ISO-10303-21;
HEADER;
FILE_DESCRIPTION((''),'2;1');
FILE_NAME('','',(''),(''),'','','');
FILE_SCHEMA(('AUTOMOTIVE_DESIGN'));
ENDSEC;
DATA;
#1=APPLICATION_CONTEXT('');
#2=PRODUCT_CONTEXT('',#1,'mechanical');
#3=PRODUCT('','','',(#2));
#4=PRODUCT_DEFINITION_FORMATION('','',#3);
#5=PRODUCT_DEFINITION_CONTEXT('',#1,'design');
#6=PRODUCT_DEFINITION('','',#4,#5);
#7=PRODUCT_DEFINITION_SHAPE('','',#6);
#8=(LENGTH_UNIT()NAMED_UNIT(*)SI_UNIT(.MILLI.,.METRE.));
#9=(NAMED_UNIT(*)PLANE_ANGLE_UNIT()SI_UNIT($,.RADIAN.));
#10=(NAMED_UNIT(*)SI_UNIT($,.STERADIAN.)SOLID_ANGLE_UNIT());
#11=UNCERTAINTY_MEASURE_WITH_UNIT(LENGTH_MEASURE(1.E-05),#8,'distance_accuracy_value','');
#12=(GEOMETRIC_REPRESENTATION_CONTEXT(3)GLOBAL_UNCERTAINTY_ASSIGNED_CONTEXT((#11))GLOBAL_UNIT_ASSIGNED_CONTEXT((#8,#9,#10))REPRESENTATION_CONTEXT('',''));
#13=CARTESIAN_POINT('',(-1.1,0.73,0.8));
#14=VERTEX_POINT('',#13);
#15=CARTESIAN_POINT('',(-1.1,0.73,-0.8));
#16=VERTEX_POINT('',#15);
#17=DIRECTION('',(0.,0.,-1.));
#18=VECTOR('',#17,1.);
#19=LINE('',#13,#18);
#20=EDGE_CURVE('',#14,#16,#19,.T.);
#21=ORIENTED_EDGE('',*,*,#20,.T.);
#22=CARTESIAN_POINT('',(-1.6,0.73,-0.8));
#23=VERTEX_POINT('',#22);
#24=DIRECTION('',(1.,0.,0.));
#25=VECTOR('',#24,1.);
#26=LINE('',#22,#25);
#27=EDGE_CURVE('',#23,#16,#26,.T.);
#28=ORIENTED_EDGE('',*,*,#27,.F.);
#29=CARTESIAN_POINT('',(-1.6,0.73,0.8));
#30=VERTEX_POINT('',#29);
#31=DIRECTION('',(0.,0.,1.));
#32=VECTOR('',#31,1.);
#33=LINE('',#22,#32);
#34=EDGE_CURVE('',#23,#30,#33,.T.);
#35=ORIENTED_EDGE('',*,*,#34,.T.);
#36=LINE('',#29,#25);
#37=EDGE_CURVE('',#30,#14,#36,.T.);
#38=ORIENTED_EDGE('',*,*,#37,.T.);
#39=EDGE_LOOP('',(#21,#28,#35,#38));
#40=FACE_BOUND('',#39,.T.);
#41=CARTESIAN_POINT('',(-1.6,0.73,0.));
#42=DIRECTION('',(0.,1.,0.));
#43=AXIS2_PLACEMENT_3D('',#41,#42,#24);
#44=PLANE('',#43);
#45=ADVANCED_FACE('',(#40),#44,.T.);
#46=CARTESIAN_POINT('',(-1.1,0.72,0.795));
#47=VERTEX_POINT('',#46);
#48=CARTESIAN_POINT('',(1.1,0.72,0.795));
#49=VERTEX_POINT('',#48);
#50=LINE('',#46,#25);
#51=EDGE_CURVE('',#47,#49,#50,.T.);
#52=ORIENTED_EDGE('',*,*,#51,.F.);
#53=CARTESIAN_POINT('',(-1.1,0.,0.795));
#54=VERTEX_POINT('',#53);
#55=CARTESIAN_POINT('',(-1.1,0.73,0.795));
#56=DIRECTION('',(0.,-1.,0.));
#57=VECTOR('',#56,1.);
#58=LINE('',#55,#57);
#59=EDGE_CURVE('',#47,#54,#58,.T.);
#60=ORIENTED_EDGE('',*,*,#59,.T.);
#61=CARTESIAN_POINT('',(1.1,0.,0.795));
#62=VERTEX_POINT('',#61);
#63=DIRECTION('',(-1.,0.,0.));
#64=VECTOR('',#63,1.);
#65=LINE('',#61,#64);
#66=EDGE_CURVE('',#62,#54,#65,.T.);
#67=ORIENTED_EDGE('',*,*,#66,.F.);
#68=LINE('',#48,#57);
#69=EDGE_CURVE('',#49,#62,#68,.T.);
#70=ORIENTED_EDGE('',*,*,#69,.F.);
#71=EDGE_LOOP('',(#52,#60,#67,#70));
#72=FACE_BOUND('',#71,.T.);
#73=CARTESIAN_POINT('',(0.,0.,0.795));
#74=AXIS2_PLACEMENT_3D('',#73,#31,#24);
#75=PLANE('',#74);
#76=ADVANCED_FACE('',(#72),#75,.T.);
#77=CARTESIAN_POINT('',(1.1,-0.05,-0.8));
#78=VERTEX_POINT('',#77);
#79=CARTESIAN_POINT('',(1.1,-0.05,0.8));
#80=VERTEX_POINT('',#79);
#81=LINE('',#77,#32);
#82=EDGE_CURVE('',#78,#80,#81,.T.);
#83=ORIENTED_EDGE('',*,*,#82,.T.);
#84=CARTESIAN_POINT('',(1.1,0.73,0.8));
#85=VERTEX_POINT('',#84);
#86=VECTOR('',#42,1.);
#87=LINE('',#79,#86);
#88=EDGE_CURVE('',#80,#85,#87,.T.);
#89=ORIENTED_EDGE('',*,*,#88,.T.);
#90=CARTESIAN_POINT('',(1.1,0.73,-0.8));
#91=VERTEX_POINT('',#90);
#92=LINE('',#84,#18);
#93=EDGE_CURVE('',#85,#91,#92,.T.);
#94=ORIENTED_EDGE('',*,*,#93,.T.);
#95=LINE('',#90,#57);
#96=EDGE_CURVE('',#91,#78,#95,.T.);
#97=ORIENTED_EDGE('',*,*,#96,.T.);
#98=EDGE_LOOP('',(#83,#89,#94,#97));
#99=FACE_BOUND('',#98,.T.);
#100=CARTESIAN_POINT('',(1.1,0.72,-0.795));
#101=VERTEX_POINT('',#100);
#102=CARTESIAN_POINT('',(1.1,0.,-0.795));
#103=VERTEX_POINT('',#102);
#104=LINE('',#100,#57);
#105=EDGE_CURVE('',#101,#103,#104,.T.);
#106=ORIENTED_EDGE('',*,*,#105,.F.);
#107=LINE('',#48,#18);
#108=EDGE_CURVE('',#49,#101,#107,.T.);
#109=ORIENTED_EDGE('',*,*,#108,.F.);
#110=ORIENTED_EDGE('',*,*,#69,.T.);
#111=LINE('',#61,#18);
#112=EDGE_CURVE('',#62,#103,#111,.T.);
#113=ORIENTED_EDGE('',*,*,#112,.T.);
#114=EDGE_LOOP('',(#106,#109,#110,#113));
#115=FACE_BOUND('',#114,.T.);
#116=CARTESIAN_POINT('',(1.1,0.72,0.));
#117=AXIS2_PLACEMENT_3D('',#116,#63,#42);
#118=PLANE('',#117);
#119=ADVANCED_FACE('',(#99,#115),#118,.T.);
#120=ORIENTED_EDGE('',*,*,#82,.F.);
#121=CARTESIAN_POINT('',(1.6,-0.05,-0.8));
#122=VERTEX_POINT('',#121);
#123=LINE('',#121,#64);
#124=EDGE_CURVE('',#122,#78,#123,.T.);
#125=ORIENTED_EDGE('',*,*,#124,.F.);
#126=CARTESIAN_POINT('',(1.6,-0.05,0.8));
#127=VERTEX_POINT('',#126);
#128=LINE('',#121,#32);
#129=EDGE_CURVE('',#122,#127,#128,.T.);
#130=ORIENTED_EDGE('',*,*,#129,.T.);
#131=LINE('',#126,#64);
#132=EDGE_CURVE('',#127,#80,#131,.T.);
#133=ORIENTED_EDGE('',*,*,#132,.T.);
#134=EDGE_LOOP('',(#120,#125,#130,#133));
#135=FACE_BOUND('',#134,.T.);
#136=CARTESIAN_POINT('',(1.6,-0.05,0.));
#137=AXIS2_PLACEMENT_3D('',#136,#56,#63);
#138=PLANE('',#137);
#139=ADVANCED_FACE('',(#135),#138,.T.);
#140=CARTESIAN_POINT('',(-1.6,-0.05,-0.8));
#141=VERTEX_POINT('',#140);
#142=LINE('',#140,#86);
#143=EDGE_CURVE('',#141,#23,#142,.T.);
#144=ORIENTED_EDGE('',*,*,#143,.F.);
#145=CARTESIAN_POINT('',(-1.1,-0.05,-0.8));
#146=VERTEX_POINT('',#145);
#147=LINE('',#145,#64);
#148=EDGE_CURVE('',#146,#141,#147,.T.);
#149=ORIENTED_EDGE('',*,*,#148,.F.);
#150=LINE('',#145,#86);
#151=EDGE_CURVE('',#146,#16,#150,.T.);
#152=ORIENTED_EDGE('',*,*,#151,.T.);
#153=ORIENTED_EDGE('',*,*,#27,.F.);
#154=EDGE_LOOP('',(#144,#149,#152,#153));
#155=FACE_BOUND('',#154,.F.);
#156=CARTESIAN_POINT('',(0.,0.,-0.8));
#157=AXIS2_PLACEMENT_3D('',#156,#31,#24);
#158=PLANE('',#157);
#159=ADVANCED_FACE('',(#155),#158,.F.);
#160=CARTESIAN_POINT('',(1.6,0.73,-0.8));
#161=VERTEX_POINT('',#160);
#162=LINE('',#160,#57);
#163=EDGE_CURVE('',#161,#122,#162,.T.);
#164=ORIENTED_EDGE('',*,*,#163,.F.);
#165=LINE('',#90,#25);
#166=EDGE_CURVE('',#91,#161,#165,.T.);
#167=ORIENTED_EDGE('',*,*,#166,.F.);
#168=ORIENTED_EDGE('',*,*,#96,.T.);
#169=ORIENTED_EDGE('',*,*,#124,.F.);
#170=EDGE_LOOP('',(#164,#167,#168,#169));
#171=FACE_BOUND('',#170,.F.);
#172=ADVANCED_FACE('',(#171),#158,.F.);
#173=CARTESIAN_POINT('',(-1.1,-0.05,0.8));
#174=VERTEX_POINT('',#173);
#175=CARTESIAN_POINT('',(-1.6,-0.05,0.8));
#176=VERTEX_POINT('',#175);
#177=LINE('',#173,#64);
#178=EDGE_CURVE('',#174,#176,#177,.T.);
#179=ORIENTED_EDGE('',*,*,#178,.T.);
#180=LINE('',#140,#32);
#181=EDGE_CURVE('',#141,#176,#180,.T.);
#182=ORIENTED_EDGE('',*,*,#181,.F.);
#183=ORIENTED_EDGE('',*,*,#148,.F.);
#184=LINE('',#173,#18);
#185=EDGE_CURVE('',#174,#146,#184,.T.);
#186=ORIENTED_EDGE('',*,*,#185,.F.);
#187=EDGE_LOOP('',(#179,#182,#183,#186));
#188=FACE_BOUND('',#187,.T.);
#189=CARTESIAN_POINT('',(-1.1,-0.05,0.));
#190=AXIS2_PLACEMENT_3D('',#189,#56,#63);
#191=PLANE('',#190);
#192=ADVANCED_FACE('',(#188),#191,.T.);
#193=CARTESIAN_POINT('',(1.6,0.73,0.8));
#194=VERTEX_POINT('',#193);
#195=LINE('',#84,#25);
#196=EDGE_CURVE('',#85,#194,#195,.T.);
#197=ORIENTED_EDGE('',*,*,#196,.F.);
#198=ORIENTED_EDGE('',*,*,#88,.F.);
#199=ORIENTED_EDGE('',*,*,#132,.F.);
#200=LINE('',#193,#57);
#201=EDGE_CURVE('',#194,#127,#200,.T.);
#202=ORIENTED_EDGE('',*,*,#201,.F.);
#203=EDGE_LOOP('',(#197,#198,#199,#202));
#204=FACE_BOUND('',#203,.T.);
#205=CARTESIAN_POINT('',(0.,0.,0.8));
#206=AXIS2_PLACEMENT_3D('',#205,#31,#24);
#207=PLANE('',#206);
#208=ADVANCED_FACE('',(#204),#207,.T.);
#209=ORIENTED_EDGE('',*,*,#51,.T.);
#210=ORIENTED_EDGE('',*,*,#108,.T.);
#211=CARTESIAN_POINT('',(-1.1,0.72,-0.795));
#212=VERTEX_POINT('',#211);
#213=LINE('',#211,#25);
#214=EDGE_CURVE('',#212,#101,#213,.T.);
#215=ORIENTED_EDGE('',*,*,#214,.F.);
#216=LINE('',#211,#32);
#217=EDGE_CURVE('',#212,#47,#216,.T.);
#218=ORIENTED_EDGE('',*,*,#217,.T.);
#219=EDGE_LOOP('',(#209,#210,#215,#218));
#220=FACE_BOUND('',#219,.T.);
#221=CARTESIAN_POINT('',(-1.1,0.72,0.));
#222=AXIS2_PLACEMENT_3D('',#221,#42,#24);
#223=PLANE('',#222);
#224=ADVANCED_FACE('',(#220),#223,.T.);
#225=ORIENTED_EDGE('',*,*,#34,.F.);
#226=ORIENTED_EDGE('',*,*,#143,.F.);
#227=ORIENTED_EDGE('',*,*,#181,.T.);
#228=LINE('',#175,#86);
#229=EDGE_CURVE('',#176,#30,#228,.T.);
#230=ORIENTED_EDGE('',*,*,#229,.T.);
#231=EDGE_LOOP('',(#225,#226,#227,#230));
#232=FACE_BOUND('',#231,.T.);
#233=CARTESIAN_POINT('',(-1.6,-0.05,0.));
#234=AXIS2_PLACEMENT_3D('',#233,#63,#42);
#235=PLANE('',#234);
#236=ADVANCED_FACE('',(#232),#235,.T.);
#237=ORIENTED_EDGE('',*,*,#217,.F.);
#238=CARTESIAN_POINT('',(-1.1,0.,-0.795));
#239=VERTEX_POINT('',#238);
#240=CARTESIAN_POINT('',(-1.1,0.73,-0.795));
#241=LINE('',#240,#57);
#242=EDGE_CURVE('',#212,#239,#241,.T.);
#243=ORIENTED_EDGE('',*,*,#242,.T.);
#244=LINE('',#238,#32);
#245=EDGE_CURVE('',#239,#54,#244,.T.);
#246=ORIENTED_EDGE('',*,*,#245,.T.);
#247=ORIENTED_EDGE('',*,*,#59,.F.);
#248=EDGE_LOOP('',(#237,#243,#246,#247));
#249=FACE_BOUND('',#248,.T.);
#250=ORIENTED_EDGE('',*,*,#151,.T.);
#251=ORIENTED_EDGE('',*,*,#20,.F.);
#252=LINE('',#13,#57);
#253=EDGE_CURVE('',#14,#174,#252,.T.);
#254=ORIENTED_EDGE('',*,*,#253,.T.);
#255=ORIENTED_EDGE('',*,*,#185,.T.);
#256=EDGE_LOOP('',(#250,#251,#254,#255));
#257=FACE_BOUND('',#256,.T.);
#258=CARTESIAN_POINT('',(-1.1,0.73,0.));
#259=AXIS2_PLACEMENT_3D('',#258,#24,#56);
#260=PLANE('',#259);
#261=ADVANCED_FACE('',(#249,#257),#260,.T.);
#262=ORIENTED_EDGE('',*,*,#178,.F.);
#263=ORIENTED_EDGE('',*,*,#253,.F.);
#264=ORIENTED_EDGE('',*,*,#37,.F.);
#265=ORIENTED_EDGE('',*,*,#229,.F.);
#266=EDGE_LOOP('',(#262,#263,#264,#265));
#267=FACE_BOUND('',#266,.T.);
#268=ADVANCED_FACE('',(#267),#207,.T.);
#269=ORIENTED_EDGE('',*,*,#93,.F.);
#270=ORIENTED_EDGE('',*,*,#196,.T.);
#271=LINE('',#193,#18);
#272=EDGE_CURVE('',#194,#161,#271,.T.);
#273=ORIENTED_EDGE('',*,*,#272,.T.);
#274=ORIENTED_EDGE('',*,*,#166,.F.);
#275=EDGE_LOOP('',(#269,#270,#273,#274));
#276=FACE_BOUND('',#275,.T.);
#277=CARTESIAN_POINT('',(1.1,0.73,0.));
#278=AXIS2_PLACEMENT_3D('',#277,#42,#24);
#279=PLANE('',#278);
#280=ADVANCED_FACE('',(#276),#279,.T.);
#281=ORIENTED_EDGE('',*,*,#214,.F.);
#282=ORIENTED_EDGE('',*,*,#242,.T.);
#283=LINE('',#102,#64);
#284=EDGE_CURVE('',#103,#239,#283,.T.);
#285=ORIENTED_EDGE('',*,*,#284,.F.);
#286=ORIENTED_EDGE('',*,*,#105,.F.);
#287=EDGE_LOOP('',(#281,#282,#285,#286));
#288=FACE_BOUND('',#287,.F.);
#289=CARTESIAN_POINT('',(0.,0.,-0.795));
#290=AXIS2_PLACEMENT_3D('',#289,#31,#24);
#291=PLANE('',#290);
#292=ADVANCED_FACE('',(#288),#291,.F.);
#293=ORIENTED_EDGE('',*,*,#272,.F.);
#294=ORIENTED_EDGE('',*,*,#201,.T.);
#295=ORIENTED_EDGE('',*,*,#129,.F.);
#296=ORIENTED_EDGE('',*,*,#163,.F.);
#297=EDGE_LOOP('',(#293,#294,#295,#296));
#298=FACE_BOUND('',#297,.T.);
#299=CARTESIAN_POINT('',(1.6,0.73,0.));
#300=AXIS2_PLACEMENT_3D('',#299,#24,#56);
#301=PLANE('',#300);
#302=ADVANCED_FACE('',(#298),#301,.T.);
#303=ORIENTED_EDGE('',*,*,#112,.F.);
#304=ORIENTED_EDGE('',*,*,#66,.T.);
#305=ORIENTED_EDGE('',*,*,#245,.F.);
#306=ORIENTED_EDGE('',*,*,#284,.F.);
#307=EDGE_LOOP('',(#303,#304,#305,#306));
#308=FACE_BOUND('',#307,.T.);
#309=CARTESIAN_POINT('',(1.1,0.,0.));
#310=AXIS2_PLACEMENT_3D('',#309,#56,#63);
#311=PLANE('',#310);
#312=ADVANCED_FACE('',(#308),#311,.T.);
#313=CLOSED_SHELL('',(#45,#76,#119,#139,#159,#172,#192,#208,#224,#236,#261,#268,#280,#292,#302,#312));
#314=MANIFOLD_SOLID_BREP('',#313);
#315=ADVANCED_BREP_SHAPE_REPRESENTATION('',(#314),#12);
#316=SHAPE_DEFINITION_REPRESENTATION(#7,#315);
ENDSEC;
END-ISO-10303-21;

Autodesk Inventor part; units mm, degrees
ref_plane "YZ Plane" through (0, 0, 0) normal (1, 0, 0) x (0, 1, 0)
ref_plane "XZ Plane" through (0, 0, 0) normal (0, 1, 0) x (-1, 0, 0)
ref_plane "XY Plane" through (0, 0, 0) normal (0, 0, 1) x (1, 0, 0)
sketch "Sketch1" plane through (0, 0, 0) normal (0, 0, 1) x (1, 0, 0)
  line L0 (-1.6, 0.73) -> (-1.1, 0.73)
  line L1 (-1.1, 0.73) -> (-1.1, -0.05)
  line L2 (-1.1, -0.05) -> (-1.6, -0.05)
  line L3 (-1.6, -0.05) -> (-1.6, 0.73)
  line L4 (-1.1, 0.72) -> (1.1, 0.72)
  line L5 (1.1, 0.72) -> (1.1, 0)
  line L6 (1.1, 0) -> (-1.1, 0)
  line L7 (-1.1, 0) -> (-1.1, 0.72)
  line L8 (1.1, 0.73) -> (1.6, 0.73)
  line L9 (1.6, 0.73) -> (1.6, -0.05)
  line L10 (1.6, -0.05) -> (1.1, -0.05)
  line L11 (1.1, -0.05) -> (1.1, 0.73)
  point P0 (0, 0)
  point P1 (0, 0.72)
  point P2 (0, 0)
  dimension "d0" = 3.2
  dimension "d1" = 0.78
  dimension "d2" = 0.5
  dimension "d3" = 0.05
  dimension "d6" = 0.01
extrude "Extrusion1" add sketch "Sketch1" along normal mid plane 1.6 contours L0 L1 L2 L3 | L11 L8 L9 L10 L5
extrude "Extrusion2" add sketch "Sketch1" along normal mid plane 1.59 contours L4 L5 L6 L1
properties part number "Capacitor_3216-0.8mm" material "Copper"
